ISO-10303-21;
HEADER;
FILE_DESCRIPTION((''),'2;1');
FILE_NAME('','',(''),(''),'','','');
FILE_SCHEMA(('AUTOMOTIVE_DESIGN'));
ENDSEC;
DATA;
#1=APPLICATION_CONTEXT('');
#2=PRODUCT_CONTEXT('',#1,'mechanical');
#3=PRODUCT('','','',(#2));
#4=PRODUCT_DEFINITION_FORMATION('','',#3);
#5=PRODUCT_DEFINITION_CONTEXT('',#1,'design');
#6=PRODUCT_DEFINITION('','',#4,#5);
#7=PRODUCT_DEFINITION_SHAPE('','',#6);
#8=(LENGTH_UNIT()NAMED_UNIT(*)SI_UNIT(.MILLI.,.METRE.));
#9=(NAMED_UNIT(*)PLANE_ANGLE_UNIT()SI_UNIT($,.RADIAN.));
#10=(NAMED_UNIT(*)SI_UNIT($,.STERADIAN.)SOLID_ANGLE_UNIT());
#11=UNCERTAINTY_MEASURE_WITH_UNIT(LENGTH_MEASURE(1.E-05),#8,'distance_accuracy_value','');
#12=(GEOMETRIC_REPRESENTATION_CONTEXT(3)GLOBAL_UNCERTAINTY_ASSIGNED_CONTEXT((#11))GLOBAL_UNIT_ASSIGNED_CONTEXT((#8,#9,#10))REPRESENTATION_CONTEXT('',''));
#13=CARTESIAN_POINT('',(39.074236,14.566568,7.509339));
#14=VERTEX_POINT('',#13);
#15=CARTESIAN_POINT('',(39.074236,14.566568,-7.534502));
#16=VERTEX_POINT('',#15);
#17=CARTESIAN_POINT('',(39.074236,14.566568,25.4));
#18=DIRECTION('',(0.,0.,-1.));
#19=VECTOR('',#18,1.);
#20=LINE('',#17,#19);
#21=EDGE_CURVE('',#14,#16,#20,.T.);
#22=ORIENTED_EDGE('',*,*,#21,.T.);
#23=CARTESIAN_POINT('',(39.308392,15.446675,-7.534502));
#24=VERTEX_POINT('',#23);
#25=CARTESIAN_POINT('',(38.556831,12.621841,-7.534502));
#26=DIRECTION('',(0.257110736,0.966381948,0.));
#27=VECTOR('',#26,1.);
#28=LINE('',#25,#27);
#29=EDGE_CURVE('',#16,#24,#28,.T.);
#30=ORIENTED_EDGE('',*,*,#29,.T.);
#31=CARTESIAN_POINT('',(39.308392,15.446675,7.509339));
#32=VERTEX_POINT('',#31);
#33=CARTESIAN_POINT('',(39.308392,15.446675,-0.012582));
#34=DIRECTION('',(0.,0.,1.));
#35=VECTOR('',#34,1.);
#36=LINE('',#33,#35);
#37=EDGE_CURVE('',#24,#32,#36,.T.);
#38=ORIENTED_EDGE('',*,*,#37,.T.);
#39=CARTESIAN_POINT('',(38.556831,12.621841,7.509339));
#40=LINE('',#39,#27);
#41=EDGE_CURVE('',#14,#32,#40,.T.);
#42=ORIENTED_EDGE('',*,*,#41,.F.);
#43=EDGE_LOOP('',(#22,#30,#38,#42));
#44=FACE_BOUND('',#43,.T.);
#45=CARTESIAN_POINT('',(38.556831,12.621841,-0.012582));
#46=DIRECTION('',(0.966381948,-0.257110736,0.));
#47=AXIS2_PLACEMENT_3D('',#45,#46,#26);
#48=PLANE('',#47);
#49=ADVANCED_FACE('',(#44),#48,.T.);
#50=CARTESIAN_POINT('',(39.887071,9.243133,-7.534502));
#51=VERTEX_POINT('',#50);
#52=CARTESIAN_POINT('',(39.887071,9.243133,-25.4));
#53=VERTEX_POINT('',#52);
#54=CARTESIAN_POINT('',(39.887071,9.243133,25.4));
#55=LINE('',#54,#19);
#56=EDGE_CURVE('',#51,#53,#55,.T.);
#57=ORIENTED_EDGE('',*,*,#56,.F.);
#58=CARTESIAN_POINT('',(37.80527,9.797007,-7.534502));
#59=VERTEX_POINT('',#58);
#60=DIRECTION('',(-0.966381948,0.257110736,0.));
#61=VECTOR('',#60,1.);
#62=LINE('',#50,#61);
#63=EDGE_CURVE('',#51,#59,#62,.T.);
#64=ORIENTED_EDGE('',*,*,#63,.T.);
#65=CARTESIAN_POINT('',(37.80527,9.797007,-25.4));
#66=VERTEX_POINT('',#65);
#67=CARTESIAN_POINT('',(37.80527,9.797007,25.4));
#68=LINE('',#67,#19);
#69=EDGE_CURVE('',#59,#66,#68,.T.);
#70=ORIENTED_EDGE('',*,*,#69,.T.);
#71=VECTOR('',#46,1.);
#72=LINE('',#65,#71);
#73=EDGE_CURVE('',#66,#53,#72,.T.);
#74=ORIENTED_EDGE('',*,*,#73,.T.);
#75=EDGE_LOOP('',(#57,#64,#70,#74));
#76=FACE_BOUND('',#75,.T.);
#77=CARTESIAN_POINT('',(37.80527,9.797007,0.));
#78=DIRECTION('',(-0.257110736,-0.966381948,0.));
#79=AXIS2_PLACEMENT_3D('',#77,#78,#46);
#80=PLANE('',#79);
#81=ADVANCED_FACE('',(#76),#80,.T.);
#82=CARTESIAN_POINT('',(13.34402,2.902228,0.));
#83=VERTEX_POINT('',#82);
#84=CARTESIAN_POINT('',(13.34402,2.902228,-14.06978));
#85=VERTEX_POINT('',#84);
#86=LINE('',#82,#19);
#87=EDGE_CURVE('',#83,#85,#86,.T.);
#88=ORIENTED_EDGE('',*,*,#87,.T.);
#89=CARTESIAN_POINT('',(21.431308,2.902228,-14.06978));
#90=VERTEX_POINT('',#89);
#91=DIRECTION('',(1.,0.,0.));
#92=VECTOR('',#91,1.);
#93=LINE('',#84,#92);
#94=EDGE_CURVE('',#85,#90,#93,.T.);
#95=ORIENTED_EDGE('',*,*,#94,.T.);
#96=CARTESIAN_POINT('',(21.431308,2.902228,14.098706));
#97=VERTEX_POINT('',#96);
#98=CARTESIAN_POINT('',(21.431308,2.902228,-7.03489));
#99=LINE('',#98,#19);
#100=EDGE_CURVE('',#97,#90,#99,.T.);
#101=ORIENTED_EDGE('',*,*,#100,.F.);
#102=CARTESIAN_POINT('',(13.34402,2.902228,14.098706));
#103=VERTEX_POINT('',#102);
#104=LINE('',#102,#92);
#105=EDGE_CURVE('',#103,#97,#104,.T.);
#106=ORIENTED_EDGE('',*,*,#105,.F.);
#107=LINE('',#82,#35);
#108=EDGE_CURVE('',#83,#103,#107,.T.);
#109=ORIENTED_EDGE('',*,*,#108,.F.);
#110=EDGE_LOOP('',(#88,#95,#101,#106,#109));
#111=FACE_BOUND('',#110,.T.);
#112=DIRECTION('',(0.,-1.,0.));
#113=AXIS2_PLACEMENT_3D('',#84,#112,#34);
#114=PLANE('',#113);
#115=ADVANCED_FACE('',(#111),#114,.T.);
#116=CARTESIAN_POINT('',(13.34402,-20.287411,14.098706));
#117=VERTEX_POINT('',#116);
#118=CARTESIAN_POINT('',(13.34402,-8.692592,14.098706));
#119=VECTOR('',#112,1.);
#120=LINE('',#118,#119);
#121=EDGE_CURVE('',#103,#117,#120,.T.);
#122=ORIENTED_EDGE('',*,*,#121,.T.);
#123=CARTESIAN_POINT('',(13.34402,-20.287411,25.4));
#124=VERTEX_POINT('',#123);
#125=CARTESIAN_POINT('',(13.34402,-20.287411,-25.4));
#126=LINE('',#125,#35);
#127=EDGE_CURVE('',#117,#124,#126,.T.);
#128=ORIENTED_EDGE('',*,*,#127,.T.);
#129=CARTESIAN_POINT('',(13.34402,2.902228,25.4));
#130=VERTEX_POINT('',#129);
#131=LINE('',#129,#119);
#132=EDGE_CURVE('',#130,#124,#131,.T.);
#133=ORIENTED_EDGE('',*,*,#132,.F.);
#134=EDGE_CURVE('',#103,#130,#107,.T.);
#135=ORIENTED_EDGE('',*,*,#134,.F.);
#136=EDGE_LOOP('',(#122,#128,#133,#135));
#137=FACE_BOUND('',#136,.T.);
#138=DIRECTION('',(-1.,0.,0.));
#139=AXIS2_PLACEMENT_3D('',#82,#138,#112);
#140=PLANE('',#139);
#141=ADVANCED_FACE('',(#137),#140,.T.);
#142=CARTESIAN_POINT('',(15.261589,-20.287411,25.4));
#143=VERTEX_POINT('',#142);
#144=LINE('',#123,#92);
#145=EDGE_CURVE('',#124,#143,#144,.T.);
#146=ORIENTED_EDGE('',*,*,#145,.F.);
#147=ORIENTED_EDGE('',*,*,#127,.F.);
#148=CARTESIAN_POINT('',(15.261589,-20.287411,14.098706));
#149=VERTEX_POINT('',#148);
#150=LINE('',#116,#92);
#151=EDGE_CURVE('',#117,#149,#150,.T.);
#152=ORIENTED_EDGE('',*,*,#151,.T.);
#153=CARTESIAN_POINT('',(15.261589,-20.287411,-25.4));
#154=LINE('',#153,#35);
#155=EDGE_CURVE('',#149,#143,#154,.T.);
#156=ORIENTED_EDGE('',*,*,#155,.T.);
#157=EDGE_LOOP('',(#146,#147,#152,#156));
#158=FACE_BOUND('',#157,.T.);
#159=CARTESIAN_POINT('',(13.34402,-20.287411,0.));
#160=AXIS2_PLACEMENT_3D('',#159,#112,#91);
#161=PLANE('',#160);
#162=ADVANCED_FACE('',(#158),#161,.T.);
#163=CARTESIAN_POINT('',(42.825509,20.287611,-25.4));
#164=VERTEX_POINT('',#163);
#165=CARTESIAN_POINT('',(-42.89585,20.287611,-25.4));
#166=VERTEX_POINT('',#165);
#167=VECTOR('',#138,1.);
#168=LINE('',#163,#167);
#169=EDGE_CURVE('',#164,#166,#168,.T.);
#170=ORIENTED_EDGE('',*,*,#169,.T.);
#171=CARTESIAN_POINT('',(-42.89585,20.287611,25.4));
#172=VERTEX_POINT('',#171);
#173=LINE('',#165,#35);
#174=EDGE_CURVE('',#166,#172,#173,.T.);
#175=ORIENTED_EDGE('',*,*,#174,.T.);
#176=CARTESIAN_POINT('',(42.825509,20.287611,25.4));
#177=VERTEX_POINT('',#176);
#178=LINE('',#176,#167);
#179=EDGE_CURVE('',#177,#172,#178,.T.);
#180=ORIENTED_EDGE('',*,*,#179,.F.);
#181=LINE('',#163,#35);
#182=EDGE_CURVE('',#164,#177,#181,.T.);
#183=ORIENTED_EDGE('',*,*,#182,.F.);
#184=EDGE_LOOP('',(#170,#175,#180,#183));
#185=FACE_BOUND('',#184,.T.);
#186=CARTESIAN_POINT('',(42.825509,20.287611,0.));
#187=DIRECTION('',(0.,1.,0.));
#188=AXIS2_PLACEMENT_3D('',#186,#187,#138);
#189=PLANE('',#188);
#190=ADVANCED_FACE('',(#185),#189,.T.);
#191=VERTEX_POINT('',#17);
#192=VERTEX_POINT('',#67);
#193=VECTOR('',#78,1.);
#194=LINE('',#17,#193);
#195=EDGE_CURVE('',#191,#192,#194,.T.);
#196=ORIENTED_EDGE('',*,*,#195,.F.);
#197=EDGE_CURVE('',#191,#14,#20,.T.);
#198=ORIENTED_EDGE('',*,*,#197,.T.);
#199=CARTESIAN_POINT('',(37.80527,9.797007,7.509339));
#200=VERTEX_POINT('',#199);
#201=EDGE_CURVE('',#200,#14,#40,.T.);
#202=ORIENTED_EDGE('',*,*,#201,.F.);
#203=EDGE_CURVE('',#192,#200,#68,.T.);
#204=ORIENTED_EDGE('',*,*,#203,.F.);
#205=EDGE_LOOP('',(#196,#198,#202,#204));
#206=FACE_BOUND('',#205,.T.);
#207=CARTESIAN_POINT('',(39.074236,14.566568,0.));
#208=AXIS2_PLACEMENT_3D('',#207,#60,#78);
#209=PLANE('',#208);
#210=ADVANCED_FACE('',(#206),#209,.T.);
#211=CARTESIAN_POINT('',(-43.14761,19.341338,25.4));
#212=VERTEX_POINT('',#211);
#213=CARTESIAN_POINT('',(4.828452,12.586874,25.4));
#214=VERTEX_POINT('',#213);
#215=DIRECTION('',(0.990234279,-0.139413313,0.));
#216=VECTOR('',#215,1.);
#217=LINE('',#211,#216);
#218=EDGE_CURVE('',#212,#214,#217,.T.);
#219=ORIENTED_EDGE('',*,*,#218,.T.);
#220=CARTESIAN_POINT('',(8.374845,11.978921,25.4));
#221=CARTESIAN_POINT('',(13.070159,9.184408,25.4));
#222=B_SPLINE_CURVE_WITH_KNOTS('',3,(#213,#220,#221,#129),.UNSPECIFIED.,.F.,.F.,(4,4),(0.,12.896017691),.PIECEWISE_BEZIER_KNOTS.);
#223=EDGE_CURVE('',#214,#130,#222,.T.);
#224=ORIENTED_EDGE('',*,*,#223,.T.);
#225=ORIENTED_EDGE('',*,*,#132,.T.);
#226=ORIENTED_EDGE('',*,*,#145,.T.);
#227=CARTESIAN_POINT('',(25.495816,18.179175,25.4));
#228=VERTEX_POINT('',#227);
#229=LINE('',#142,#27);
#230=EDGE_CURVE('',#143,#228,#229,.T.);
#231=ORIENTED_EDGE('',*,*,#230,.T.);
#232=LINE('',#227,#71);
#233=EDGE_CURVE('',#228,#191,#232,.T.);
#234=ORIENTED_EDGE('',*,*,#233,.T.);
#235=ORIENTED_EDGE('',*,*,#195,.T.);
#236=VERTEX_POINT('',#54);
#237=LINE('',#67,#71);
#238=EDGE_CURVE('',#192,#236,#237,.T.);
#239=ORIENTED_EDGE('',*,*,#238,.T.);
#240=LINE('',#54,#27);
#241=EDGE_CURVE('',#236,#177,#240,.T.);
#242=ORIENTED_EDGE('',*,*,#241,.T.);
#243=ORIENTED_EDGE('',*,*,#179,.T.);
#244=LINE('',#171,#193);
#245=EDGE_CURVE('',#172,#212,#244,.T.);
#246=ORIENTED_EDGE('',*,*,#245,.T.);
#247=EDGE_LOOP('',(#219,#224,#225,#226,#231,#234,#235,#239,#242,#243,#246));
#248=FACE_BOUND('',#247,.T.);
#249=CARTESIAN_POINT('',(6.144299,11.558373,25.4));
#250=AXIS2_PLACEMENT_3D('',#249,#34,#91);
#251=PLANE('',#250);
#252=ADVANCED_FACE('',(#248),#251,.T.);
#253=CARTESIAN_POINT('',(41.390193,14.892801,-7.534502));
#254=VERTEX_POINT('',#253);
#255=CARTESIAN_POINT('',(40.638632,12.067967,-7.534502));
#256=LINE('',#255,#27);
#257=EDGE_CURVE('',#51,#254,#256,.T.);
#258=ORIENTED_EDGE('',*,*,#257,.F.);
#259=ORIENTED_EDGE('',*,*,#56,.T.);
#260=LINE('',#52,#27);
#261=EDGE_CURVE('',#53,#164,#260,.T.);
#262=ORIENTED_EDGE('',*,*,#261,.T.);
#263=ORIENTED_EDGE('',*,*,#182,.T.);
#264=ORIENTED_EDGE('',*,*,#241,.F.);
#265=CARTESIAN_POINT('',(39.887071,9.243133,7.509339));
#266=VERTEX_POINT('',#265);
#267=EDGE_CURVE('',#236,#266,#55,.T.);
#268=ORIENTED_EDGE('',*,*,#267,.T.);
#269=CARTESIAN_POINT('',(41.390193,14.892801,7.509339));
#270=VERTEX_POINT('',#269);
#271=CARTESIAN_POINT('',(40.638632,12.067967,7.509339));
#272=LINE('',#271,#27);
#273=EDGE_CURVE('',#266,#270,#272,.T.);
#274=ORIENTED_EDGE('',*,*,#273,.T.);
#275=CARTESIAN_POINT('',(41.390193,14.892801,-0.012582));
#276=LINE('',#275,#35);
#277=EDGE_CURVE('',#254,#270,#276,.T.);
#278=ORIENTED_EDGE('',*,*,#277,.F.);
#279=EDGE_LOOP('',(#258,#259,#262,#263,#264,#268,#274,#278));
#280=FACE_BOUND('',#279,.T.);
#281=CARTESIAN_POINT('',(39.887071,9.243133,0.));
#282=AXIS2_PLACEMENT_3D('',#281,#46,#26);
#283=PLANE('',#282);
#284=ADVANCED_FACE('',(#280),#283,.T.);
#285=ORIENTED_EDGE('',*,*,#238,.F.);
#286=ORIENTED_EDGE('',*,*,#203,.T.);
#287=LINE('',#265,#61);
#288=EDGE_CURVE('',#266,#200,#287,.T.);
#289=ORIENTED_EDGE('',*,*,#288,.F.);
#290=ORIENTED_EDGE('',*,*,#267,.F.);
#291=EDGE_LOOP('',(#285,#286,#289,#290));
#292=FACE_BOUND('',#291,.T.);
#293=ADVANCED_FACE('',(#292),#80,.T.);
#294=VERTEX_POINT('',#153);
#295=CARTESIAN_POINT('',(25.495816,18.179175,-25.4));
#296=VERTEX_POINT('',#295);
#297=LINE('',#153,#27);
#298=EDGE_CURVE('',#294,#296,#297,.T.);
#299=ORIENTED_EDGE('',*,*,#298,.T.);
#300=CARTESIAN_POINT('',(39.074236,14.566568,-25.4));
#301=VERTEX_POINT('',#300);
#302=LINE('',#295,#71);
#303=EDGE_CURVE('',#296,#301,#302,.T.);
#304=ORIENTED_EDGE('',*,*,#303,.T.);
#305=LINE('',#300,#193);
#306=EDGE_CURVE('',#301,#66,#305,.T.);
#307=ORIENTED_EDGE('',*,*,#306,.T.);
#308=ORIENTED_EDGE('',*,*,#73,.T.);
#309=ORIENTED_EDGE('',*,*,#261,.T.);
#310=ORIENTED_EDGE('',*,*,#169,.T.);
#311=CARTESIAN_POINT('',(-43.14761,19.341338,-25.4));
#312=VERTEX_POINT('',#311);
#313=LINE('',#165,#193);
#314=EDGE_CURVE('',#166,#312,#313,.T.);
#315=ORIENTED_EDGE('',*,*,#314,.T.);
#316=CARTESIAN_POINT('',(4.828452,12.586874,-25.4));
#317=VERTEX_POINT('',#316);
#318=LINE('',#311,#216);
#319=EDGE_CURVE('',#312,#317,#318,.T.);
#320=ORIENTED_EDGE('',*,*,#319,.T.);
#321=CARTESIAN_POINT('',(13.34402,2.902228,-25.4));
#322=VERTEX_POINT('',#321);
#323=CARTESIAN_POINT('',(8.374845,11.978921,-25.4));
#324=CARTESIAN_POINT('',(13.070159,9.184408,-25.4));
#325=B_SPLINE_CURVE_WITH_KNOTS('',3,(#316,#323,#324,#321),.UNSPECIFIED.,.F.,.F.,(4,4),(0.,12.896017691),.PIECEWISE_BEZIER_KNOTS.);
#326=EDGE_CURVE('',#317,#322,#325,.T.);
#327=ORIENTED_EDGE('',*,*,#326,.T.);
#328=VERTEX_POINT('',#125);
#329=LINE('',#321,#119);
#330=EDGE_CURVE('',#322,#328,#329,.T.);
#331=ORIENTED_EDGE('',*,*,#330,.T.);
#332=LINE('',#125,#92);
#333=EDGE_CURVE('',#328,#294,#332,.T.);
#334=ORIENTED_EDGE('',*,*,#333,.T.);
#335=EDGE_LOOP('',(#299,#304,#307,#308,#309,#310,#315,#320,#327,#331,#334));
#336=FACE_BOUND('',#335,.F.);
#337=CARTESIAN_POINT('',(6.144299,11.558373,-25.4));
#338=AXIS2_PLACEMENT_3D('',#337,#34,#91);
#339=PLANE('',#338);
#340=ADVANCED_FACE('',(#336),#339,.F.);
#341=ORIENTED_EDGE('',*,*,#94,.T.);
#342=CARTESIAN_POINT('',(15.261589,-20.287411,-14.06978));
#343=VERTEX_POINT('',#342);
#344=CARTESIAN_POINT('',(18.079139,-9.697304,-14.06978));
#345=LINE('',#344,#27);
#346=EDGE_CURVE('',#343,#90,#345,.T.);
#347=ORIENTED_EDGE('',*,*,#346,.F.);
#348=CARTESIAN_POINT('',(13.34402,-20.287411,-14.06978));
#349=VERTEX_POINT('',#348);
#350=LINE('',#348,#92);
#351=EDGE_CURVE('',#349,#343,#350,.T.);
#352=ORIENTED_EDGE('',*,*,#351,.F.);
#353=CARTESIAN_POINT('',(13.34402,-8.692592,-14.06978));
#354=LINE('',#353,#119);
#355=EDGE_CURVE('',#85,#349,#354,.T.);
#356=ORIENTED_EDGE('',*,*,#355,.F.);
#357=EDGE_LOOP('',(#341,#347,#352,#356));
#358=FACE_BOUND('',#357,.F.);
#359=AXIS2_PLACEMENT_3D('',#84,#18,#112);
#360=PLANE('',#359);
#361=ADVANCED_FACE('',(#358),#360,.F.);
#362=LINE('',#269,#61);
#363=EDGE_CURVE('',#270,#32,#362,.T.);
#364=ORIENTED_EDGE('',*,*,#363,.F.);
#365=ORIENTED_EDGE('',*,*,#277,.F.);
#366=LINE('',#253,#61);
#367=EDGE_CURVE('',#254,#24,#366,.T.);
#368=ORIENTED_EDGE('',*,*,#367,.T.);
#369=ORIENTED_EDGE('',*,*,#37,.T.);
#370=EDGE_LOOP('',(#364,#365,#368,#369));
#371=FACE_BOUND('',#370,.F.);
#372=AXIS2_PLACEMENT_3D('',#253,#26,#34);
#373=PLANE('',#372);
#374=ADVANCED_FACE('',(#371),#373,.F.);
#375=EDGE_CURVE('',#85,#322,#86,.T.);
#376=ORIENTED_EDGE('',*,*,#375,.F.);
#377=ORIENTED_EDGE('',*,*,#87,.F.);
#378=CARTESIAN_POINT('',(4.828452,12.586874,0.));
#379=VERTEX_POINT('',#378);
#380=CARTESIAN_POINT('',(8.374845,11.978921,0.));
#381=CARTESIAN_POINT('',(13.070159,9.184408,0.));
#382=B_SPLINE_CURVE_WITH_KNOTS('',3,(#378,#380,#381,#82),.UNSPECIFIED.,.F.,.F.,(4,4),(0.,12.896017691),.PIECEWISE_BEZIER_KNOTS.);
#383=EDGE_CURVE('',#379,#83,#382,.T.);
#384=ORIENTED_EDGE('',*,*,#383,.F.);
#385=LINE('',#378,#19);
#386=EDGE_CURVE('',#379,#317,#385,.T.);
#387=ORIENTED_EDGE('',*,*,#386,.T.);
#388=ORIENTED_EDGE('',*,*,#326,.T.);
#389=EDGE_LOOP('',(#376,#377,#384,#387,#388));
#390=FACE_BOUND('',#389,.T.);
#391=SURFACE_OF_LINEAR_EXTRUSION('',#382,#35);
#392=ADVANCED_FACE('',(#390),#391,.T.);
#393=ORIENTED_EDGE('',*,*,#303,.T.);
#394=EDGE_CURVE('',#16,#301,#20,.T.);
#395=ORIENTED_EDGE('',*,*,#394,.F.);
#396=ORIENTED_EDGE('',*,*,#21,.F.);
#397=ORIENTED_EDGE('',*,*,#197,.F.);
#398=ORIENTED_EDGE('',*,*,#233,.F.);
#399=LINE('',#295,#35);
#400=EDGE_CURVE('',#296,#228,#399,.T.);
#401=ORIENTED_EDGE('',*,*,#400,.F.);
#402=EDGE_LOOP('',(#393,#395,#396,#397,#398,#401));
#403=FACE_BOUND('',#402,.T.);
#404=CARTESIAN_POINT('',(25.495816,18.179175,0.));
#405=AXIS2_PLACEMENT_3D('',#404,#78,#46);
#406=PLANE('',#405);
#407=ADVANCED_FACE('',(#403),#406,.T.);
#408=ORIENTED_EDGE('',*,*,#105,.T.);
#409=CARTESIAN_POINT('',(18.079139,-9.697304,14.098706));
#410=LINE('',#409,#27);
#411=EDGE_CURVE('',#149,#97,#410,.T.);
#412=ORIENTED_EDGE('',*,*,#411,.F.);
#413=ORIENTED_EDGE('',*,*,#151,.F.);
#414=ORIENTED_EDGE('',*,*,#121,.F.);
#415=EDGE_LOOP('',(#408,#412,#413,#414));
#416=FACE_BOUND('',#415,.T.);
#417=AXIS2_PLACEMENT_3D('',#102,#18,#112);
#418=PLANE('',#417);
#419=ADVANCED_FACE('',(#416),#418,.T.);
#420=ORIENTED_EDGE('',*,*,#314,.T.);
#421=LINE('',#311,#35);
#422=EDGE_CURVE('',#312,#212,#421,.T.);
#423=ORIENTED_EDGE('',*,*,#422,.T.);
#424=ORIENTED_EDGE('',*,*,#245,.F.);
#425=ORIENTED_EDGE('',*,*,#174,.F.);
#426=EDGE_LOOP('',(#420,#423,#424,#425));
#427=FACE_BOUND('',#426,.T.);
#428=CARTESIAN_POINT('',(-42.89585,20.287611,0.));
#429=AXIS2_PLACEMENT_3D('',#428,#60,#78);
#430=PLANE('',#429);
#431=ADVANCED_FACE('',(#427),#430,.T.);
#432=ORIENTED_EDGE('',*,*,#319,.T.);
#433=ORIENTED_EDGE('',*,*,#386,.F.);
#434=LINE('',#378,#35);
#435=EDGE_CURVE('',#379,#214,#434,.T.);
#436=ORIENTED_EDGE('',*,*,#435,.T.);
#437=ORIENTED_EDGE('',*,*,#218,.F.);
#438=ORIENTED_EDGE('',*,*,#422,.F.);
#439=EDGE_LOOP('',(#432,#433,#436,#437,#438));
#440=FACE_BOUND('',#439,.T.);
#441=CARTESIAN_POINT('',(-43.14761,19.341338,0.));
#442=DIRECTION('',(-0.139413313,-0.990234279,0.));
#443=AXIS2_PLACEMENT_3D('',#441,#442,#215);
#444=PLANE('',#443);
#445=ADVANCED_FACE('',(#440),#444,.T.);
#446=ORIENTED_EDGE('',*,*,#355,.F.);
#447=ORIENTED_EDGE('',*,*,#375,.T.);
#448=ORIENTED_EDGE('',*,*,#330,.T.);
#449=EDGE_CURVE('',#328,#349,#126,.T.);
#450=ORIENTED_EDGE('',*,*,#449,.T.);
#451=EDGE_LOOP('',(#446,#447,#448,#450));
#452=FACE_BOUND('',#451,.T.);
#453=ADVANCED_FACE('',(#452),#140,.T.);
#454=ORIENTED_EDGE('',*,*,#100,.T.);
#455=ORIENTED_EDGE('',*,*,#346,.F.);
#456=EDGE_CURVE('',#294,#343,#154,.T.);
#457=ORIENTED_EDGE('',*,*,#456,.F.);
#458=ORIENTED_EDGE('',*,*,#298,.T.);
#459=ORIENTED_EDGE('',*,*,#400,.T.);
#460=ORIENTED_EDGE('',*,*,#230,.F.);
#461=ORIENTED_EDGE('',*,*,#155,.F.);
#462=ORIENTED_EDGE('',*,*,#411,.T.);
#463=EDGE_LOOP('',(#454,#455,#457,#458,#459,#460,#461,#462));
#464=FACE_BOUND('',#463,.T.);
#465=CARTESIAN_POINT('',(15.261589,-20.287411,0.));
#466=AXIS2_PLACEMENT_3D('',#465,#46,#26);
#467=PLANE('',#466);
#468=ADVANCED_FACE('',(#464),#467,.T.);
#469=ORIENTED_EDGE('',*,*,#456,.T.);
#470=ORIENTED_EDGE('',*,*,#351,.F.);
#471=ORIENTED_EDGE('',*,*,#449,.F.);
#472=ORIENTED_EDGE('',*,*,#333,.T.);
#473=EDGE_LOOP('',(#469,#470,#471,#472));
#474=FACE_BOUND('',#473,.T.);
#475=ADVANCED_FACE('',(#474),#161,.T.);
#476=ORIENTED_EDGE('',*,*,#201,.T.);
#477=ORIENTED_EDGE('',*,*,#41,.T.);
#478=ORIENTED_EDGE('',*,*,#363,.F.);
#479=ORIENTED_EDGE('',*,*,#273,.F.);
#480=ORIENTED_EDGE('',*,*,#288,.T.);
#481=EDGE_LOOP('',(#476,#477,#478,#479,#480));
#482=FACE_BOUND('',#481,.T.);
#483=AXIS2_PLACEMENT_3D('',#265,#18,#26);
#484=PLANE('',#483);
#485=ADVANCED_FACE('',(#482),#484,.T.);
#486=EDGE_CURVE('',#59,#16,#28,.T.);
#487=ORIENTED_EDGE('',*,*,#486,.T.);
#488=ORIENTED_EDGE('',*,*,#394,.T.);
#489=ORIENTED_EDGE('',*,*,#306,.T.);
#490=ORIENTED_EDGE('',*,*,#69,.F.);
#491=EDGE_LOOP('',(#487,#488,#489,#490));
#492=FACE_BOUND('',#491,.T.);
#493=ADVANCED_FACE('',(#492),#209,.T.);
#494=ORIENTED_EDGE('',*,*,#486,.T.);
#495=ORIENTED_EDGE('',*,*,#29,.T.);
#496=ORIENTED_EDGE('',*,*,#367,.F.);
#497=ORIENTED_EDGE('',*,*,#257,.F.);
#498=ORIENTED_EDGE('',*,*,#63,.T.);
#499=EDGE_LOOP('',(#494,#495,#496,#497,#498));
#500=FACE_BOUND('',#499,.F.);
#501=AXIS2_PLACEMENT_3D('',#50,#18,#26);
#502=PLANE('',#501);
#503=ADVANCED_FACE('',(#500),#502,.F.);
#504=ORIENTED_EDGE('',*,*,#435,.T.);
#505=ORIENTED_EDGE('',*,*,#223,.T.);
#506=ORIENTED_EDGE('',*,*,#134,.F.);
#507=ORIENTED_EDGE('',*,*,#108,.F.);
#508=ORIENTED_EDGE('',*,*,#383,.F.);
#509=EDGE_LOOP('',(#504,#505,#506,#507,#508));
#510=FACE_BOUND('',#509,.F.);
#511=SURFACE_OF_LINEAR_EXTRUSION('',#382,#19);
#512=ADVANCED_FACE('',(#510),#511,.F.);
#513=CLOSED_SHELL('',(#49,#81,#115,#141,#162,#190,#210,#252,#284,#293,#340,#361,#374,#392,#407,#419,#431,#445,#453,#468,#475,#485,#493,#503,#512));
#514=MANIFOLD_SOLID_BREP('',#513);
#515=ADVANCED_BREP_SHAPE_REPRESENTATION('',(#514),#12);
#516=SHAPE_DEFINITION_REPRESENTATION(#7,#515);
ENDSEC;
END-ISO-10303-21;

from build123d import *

# Parameters (mm, degrees)
F1_DEPTH      = 25.4
F1_DEPTH_BACK = 25.4
F2_W          = 5.8462059447
F2_H          = 15.0438407436
F3_DEPTH      = 2.1542214913
F4_W          = 23.189639207
F4_H          = 28.1684854999
F5_DEPTH      = 8.088287329


with BuildPart() as f1:
    # F0 (on Top) → F1 (new body, two sides)
    with BuildSketch(Plane.XY) as f1_sk:
        with BuildLine():
            Line((39.8870706558, 9.2431334779), (42.8255088627, 20.2876105905))
            Line((42.8255088627, 20.2876105905), (-42.8958497941, 20.2876105905))
            Line((-42.8958497941, 20.2876105905), (-43.1476103375, 19.3413379916))
            Line((-43.1476103375, 19.3413379916), (4.8284521326, 12.586873956))
            add(Edge.make_bspline(
                [(4.8284521326, 12.586873956), (8.3748446777, 11.9789214805), (13.0701588605, 9.1844080016), (13.3440204307, 2.9022279195)],
                knots=[0, 0, 0, 0, 12.8960176912, 12.8960176912, 12.8960176912, 12.8960176912], degree=3))
            Line((13.3440204307, 2.9022279195), (13.3440204307, -20.2874112874))
            Line((13.3440204307, -20.2874112874), (15.2615886182, -20.2874112874))
            Line((15.2615886182, -20.2874112874), (25.4958156311, 18.1791747184))
            Line((25.4958156311, 18.1791747184), (39.0742355021, 14.5665684056))
            Line((39.0742355021, 14.5665684056), (37.8052698946, 9.7970069509))
            Line((37.8052698946, 9.7970069509), (39.8870706558, 9.2431334779))
        make_face()
    extrude(amount=F1_DEPTH)
    extrude(f1_sk.sketch, amount=-F1_DEPTH_BACK)

    # F2 (on face) → F3 (cut, through all)
    with BuildSketch(Plane(origin=(34.9536834808, -9.2996017797, 0), x_dir=(0.2571107359, 0.966381948, 0), z_dir=(0.966381948, -0.2571107359, 0))):
        with Locations((22.1108943995, -0.0125817023)):
            Rectangle(F2_W, F2_H)
    extrude(amount=-F3_DEPTH, mode=Mode.SUBTRACT)

    # F4 (on face) → F5 (cut, through all)
    with BuildSketch(Plane(origin=(13.3440204307, 0, 0), x_dir=(0, -1, 0), z_dir=(-1, 0, 0))):
        with Locations((8.6925916839, 0.0144629739)):
            Rectangle(F4_W, F4_H)
    extrude(amount=-F5_DEPTH, mode=Mode.SUBTRACT)


solid = f1.part
